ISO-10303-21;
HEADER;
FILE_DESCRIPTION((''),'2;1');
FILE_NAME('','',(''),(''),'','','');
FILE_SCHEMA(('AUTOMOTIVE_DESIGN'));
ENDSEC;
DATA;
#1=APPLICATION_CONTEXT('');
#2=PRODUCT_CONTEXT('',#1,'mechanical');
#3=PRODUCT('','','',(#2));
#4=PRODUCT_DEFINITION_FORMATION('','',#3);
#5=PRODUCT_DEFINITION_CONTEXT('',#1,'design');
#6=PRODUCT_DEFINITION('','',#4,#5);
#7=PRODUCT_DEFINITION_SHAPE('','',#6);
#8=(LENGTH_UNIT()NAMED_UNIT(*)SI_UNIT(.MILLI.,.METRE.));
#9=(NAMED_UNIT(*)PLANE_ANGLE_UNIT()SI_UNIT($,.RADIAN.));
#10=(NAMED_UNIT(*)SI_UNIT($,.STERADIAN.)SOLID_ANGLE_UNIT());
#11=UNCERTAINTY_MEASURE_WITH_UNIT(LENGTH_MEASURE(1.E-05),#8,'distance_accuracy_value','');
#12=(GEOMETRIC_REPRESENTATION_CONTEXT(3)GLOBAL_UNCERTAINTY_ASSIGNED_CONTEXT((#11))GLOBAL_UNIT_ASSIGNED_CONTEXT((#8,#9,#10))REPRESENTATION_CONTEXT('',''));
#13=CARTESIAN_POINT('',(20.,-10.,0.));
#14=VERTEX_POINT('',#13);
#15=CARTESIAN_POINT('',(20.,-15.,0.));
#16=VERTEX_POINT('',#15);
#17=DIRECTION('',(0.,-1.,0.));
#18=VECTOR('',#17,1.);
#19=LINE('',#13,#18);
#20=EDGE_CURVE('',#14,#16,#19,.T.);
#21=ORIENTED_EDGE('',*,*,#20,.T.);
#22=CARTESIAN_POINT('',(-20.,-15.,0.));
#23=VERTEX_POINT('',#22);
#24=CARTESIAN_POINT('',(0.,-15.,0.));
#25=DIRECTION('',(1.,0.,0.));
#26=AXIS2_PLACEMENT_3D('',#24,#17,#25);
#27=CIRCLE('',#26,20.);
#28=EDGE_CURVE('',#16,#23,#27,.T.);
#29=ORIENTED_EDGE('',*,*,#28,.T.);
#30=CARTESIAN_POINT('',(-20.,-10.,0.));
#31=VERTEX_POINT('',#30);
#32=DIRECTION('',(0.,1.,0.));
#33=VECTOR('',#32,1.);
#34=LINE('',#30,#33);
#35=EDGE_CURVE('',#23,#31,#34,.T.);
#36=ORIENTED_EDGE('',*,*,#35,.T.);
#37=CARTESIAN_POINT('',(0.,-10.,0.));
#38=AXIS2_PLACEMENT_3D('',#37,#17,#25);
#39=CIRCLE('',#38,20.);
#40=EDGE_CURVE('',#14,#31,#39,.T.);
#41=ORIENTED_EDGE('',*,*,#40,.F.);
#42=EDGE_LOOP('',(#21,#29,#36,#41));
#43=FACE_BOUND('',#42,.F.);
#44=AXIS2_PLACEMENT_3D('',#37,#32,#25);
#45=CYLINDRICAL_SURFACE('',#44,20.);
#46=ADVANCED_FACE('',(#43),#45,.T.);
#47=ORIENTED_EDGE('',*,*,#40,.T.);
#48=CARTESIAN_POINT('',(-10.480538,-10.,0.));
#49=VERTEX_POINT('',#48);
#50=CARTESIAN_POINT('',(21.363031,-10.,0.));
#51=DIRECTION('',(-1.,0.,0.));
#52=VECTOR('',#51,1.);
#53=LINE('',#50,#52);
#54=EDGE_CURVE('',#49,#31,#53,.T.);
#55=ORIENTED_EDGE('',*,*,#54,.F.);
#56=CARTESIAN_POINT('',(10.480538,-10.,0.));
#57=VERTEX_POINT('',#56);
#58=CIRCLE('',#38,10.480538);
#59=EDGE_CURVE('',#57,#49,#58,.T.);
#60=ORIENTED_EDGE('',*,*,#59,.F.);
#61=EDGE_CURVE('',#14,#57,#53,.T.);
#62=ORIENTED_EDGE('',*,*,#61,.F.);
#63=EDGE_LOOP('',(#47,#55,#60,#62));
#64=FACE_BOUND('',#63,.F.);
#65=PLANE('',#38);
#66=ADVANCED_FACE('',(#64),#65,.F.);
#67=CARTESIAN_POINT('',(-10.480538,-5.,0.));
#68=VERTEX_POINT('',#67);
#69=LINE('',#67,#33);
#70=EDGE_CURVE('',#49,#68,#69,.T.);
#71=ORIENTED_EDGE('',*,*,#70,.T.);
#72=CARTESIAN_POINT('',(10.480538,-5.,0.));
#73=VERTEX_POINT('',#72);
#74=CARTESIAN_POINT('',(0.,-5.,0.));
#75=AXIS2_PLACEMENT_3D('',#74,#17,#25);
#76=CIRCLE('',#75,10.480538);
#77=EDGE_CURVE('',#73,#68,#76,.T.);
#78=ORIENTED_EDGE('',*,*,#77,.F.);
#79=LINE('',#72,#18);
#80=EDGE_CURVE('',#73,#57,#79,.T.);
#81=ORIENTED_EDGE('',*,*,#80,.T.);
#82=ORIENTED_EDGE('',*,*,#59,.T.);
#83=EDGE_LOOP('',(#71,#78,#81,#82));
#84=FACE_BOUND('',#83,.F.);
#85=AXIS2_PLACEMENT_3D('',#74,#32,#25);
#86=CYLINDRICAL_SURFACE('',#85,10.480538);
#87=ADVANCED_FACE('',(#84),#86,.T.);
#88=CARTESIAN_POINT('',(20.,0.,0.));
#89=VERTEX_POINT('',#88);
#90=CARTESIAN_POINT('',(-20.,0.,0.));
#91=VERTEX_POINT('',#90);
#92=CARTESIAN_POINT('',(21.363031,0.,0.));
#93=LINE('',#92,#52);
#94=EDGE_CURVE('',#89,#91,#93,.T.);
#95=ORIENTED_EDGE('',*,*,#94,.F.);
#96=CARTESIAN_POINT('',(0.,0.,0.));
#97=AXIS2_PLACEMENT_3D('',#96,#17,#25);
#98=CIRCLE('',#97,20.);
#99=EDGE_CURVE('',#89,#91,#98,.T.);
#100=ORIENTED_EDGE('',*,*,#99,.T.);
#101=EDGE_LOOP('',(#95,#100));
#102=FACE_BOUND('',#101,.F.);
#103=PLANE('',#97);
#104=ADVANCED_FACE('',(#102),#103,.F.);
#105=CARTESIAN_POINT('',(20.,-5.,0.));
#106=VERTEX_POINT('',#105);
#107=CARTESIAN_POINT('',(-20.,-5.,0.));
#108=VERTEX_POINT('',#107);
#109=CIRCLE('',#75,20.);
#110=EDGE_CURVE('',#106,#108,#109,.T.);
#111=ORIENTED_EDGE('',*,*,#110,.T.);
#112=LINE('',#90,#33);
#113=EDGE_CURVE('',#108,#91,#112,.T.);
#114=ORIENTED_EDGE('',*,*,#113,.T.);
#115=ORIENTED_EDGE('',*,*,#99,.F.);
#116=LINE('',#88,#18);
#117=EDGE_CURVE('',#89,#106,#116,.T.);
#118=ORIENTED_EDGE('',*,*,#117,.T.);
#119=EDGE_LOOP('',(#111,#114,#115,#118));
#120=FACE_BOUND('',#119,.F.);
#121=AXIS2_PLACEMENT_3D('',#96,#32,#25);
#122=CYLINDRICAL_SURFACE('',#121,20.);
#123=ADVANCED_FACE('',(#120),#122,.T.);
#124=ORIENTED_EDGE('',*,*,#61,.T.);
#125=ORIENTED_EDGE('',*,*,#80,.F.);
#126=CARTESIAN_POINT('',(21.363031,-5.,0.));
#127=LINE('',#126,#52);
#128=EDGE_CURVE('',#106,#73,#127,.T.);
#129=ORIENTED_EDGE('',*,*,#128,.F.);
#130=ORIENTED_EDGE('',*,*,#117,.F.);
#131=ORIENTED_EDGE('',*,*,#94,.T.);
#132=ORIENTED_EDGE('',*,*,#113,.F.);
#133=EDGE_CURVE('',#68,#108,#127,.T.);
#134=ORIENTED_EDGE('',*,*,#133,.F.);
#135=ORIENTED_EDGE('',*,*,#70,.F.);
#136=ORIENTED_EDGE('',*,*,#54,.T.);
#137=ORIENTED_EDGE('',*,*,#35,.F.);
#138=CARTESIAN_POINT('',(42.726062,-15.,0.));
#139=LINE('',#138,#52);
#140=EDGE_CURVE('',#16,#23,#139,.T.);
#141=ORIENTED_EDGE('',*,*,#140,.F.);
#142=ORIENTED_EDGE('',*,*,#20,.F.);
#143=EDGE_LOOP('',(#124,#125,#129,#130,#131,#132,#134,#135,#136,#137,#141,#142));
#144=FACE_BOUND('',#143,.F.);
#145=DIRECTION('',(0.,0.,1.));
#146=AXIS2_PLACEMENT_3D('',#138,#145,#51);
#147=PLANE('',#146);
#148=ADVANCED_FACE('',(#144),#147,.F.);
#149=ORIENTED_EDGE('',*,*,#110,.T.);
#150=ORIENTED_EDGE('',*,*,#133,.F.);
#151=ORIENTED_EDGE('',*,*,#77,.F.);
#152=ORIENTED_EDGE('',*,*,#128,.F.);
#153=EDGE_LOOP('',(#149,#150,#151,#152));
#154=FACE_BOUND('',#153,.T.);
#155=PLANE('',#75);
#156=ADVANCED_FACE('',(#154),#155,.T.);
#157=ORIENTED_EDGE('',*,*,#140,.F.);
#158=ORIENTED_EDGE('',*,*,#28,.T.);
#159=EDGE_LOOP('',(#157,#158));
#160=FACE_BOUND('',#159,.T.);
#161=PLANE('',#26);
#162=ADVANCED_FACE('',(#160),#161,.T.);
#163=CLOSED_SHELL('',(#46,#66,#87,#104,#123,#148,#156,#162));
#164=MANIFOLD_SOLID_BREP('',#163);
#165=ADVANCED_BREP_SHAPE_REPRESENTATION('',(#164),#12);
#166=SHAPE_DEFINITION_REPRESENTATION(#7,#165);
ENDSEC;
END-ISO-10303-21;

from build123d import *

# Parameters (mm, degrees)
F0_R     = 20
F1_DEPTH = 5
F2_R     = 10.480538
F3_DEPTH = 5
F4_R     = 20
F5_DEPTH = 5
F7_DEPTH = 25


with BuildPart() as f1:
    # F0 (on Front) → F1 (new body)
    with BuildSketch(Plane.XZ):
        Circle(F0_R)
    extrude(amount=F1_DEPTH)

    # F2 (on face) → F3 (join)
    with BuildSketch(Plane.XZ.offset(5)):
        Circle(F2_R)
    extrude(amount=F3_DEPTH)

    # F4 (on face) → F5 (join)
    with BuildSketch(Plane.XZ.offset(10)):
        Circle(F4_R)
    extrude(amount=F5_DEPTH)

    # F6 (on face) → F7 (cut)
    with BuildSketch(Plane.XZ.offset(15)):
        Polygon((42.726062, 0), (-35.465427, 0), (-28.7633, -32.393619), (42.726062, -32.393619), align=None)
    extrude(amount=-F7_DEPTH, mode=Mode.SUBTRACT)


solid = f1.part
